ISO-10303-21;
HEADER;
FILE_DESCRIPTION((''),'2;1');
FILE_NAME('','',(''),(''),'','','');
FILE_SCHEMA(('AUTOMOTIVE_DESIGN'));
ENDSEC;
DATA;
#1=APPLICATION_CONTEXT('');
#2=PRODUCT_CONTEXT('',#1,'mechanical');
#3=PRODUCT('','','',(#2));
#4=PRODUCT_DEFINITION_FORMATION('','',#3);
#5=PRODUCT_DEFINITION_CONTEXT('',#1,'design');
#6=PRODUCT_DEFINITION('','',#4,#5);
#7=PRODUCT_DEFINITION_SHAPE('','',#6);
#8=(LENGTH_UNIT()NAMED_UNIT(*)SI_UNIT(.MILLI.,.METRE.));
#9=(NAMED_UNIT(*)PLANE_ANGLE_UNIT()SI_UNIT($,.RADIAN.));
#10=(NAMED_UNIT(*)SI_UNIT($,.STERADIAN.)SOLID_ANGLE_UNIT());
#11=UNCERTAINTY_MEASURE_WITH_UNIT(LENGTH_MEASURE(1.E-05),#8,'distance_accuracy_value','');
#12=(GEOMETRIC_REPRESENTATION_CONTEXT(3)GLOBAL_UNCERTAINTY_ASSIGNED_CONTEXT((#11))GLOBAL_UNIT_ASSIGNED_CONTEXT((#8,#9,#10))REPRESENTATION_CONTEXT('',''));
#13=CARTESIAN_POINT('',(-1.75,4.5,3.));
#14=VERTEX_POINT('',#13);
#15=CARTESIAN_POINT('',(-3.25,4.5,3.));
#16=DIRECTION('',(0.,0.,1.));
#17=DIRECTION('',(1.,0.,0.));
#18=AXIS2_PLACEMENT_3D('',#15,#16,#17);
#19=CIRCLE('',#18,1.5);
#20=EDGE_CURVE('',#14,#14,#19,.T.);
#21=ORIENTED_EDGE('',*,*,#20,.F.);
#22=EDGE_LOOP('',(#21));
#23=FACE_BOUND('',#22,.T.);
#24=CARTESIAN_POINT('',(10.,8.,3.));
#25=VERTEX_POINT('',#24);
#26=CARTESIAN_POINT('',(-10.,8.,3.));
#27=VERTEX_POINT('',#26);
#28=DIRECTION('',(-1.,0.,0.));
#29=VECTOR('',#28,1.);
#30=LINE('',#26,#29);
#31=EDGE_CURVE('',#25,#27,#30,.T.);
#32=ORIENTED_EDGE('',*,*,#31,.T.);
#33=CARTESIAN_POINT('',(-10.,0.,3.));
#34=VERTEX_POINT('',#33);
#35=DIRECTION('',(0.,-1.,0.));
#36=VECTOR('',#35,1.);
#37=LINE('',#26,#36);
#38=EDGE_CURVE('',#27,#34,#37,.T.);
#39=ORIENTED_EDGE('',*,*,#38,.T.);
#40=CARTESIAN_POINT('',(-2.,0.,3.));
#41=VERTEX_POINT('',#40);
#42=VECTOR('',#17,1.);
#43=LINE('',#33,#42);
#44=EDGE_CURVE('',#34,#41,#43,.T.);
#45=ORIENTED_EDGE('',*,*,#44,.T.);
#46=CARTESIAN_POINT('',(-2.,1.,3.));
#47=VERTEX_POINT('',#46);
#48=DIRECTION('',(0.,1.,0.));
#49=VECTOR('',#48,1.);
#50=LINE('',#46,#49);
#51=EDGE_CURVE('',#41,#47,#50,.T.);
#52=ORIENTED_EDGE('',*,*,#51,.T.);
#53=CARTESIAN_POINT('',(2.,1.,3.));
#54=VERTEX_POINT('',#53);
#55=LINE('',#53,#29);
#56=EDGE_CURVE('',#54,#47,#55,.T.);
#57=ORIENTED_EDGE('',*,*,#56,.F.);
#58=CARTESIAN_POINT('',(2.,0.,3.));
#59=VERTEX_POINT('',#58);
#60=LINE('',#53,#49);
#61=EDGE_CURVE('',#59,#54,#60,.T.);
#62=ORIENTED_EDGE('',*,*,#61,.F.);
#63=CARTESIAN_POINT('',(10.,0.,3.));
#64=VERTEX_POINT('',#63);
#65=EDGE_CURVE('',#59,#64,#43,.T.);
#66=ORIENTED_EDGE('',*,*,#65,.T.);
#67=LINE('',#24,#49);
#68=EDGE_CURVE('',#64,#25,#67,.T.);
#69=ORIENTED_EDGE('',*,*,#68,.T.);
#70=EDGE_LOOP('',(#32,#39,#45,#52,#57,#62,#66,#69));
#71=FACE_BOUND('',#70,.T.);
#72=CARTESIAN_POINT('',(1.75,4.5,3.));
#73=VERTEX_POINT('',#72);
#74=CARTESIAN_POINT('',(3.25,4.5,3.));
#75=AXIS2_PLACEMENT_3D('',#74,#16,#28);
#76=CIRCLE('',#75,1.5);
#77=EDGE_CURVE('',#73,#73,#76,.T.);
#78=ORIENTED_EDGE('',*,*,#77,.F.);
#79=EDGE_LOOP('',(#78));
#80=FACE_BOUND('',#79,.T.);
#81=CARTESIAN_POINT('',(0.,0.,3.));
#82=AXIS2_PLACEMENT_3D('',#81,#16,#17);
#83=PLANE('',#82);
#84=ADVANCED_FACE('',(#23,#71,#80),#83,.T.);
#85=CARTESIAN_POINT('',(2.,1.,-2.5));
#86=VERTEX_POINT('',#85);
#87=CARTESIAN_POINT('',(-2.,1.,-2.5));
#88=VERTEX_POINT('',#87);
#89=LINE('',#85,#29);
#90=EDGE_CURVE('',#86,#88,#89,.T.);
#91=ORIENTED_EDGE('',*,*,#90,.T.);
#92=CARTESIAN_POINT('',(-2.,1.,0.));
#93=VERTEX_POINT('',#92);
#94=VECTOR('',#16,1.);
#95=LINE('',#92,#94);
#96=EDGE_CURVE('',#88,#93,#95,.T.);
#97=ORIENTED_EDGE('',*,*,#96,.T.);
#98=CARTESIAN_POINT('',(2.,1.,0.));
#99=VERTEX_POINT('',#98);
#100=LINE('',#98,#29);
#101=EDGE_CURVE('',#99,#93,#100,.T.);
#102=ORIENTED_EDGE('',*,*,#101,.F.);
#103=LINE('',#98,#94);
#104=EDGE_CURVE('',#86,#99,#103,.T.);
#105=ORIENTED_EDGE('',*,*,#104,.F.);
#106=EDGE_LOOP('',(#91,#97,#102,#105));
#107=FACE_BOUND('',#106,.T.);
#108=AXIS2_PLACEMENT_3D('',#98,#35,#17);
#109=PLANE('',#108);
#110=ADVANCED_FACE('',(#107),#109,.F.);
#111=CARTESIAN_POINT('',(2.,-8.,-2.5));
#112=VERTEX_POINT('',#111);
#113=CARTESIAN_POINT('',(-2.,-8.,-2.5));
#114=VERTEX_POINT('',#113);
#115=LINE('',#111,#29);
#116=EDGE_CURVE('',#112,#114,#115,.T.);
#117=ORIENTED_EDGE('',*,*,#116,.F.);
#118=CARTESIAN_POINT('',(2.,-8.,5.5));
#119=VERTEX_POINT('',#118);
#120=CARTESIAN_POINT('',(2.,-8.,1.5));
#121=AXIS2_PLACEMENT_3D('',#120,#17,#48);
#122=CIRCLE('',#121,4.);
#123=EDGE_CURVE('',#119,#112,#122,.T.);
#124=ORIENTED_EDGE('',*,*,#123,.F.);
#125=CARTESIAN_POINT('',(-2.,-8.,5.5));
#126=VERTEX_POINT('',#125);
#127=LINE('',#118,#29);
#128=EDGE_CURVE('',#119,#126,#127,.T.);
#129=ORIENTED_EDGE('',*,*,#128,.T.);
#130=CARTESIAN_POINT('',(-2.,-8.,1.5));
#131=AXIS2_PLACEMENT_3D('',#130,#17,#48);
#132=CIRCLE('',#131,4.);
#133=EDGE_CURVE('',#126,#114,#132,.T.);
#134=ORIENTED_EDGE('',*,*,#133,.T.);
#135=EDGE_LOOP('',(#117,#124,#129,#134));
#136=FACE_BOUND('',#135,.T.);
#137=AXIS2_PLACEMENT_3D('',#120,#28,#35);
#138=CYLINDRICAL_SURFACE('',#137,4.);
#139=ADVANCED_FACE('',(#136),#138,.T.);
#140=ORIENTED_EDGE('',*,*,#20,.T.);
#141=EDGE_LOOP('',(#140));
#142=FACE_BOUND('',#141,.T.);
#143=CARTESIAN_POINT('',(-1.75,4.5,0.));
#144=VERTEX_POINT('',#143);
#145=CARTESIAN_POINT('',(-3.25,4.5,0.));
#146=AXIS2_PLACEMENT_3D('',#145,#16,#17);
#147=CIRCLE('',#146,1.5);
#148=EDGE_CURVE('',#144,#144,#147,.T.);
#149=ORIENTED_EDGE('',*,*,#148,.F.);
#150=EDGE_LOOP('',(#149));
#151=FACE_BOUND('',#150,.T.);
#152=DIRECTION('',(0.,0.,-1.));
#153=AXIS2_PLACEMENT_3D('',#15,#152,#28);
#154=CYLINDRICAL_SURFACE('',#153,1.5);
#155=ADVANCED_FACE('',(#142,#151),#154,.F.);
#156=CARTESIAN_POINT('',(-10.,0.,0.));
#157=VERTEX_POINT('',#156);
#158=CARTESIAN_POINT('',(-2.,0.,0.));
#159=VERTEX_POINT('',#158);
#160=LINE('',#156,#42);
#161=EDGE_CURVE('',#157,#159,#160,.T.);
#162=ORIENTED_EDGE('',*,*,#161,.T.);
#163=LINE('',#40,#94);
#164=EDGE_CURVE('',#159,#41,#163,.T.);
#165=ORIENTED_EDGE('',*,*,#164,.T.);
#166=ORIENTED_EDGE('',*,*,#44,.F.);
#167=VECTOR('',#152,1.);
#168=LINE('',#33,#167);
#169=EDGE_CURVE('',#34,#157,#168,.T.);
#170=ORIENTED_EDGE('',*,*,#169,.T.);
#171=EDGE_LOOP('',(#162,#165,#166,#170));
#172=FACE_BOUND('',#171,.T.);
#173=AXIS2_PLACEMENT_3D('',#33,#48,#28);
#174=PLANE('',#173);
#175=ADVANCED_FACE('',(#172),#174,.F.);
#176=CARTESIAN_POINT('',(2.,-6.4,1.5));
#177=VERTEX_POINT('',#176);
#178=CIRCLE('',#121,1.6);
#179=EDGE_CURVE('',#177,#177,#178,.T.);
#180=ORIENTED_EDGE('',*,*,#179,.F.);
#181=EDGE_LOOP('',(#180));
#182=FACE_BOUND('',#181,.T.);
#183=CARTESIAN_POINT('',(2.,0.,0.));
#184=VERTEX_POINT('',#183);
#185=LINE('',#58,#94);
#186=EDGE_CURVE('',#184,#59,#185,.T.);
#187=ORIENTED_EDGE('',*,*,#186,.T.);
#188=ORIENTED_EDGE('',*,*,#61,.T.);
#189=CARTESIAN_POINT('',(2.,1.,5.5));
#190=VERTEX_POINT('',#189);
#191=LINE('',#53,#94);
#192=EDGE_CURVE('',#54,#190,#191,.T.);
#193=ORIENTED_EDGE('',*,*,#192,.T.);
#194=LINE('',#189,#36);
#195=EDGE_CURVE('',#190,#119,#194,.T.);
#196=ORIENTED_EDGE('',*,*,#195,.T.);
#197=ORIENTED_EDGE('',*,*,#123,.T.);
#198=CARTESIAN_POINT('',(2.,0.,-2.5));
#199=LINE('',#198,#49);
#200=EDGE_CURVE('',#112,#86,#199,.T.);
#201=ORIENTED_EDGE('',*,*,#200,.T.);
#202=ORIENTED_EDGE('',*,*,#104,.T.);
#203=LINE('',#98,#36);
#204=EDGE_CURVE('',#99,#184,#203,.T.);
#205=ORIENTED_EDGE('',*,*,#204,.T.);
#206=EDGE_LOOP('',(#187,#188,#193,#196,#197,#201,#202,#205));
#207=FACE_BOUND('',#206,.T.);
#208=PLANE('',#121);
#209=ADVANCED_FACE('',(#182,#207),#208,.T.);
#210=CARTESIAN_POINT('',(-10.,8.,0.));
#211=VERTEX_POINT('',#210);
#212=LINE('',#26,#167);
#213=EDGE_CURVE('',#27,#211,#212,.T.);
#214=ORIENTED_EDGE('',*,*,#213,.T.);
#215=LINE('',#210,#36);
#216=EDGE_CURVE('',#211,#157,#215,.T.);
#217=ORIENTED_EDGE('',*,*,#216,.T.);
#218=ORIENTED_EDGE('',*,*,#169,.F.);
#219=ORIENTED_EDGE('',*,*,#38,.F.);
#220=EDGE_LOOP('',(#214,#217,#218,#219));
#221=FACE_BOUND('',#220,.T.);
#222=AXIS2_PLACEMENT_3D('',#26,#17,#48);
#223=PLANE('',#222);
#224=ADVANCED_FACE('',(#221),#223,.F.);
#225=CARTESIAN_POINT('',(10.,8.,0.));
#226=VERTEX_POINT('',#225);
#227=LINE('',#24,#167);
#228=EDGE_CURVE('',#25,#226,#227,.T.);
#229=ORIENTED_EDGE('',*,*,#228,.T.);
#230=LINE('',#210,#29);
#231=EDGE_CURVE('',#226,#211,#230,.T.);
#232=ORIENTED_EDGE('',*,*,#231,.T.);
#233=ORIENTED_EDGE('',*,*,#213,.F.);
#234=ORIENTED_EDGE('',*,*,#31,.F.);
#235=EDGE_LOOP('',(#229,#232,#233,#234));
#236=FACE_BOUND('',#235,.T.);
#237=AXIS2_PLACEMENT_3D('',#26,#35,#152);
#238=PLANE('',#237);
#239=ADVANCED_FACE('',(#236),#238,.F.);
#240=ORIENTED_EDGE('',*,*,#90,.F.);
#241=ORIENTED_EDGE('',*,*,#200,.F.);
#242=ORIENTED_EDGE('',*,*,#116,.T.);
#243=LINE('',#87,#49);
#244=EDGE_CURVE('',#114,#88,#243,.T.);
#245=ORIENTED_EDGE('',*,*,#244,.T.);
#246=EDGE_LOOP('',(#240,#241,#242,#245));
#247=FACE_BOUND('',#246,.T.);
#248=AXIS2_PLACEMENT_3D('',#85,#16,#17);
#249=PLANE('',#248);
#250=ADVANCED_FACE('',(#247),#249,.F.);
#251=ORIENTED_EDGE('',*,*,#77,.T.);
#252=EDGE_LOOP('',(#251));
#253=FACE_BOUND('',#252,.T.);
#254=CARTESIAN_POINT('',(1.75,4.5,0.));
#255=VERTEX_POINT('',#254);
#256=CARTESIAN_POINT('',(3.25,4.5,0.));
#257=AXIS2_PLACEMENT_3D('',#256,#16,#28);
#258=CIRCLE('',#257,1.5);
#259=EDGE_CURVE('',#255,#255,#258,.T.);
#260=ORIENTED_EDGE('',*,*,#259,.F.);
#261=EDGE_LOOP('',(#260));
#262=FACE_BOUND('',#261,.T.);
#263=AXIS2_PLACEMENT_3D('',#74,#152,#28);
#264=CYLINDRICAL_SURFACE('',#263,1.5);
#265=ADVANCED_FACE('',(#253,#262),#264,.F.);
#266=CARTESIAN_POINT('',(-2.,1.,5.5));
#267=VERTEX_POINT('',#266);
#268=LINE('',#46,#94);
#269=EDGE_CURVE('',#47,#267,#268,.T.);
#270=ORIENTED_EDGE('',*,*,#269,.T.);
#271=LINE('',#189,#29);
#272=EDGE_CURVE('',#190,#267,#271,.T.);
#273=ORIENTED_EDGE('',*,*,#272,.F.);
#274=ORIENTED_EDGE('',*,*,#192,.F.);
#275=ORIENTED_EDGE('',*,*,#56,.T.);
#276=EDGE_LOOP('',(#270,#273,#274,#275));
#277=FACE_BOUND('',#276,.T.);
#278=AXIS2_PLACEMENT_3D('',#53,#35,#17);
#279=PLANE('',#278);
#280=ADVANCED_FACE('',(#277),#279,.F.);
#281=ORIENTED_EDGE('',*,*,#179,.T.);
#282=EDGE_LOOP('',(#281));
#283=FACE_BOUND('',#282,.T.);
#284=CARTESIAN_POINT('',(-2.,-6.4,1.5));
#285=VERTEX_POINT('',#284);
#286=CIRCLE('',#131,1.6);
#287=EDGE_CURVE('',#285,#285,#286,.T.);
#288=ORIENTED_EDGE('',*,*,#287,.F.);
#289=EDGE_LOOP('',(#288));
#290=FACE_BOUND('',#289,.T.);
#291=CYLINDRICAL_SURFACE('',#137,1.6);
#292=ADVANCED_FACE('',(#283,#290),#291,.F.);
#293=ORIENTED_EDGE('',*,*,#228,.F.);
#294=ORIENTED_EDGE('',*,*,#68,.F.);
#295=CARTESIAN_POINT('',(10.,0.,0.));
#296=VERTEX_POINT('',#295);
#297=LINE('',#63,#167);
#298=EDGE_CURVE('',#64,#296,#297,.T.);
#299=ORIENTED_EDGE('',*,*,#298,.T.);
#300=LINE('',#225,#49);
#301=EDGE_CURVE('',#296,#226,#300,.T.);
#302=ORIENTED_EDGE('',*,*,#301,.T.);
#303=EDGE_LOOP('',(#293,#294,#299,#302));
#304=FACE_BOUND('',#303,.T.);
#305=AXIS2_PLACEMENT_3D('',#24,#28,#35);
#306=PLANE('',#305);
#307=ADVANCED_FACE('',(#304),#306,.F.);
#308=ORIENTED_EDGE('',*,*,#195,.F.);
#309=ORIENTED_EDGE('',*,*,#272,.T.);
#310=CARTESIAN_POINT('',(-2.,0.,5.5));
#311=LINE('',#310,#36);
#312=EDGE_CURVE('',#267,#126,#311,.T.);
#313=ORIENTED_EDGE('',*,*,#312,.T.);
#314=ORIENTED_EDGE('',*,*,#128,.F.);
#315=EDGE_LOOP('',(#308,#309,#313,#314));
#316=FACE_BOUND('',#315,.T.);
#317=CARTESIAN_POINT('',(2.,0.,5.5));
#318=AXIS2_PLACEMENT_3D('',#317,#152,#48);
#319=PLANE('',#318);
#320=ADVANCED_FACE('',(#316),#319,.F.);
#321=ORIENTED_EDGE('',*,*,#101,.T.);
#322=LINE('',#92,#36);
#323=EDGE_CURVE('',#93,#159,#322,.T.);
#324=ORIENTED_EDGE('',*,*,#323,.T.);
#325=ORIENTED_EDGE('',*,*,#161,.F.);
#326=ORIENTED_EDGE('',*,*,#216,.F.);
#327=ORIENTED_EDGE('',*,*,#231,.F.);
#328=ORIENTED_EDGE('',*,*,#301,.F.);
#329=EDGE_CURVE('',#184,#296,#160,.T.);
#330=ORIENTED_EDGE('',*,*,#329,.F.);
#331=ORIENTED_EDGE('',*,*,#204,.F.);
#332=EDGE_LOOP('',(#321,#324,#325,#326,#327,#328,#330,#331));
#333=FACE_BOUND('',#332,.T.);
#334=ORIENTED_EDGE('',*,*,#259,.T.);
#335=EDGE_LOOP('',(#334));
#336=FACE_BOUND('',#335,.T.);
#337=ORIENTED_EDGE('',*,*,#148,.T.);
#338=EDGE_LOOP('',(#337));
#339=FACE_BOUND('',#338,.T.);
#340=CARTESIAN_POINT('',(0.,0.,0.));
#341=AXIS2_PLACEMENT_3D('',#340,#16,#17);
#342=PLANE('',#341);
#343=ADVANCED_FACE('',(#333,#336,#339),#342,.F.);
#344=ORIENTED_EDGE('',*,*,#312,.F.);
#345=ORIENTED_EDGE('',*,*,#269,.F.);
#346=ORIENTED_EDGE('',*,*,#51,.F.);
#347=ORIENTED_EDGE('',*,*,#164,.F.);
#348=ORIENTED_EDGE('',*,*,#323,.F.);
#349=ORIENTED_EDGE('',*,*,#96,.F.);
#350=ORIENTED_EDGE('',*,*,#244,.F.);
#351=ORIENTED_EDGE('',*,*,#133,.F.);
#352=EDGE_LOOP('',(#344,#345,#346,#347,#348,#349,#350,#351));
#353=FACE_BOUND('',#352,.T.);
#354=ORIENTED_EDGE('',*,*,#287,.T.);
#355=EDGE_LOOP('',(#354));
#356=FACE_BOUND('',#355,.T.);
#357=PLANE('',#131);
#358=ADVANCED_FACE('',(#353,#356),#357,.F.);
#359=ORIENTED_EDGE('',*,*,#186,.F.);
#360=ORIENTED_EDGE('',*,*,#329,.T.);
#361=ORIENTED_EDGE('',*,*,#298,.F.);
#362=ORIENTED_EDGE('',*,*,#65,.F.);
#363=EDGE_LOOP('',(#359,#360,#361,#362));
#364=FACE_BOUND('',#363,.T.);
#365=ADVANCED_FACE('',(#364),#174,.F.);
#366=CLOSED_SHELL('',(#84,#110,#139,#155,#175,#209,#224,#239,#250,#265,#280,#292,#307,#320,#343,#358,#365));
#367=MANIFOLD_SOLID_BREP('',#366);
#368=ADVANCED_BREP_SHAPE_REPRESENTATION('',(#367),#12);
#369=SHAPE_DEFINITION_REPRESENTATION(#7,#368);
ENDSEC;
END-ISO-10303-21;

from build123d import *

# Parameters (mm, degrees)
SKETCH2_W           = 20
SKETCH2_H           = 8
SKETCH2_R           = 1.5
BOSS_EXTRUDE3_DEPTH = 3
BOSS_EXTRUDE4_START = -12
SKETCH5_R           = 1.6
BOSS_EXTRUDE4_DEPTH = 4


with BuildPart() as part:
    # Sketch2 → Boss-Extrude3 (new body)
    with BuildSketch(Plane.XY):
        with Locations((0, 4)):
            Rectangle(SKETCH2_W, SKETCH2_H)
        with Locations((-3.25, 4.5)):
            Circle(SKETCH2_R, mode=Mode.SUBTRACT)
        with Locations(Location((3.25, 4.5, 0), (0, 0, 180))):
            Circle(SKETCH2_R, mode=Mode.SUBTRACT)
    extrude(amount=BOSS_EXTRUDE3_DEPTH)

    # Sketch5 → Boss-Extrude4 (add)
    with BuildSketch(Plane(origin=(10, 0, 0), x_dir=(0, 0, -1), z_dir=(1, 0, 0)).offset(BOSS_EXTRUDE4_START)):
        with BuildLine():
            Line((-5.5, 0), (-5.5, -8))
            ThreePointArc((-5.5, -8), (-1.5, -12), (2.5, -8))
            Line((2.5, -8), (2.5, 0))
            Line((2.5, 0), (2.5, 1))
            Line((2.5, 1), (0, 1))
            Line((0, 1), (0, 0))
            Line((0, 0), (-3, 0))
            Line((-3, 0), (-3, 1))
            Line((-3, 1), (-5.5, 1))
            Line((-5.5, 1), (-5.5, 0))
        make_face()
        with Locations(Location((-1.5, -8, 0), (0, 0, 90))):
            Circle(SKETCH5_R, mode=Mode.SUBTRACT)
    extrude(amount=BOSS_EXTRUDE4_DEPTH)


solid = part.part
